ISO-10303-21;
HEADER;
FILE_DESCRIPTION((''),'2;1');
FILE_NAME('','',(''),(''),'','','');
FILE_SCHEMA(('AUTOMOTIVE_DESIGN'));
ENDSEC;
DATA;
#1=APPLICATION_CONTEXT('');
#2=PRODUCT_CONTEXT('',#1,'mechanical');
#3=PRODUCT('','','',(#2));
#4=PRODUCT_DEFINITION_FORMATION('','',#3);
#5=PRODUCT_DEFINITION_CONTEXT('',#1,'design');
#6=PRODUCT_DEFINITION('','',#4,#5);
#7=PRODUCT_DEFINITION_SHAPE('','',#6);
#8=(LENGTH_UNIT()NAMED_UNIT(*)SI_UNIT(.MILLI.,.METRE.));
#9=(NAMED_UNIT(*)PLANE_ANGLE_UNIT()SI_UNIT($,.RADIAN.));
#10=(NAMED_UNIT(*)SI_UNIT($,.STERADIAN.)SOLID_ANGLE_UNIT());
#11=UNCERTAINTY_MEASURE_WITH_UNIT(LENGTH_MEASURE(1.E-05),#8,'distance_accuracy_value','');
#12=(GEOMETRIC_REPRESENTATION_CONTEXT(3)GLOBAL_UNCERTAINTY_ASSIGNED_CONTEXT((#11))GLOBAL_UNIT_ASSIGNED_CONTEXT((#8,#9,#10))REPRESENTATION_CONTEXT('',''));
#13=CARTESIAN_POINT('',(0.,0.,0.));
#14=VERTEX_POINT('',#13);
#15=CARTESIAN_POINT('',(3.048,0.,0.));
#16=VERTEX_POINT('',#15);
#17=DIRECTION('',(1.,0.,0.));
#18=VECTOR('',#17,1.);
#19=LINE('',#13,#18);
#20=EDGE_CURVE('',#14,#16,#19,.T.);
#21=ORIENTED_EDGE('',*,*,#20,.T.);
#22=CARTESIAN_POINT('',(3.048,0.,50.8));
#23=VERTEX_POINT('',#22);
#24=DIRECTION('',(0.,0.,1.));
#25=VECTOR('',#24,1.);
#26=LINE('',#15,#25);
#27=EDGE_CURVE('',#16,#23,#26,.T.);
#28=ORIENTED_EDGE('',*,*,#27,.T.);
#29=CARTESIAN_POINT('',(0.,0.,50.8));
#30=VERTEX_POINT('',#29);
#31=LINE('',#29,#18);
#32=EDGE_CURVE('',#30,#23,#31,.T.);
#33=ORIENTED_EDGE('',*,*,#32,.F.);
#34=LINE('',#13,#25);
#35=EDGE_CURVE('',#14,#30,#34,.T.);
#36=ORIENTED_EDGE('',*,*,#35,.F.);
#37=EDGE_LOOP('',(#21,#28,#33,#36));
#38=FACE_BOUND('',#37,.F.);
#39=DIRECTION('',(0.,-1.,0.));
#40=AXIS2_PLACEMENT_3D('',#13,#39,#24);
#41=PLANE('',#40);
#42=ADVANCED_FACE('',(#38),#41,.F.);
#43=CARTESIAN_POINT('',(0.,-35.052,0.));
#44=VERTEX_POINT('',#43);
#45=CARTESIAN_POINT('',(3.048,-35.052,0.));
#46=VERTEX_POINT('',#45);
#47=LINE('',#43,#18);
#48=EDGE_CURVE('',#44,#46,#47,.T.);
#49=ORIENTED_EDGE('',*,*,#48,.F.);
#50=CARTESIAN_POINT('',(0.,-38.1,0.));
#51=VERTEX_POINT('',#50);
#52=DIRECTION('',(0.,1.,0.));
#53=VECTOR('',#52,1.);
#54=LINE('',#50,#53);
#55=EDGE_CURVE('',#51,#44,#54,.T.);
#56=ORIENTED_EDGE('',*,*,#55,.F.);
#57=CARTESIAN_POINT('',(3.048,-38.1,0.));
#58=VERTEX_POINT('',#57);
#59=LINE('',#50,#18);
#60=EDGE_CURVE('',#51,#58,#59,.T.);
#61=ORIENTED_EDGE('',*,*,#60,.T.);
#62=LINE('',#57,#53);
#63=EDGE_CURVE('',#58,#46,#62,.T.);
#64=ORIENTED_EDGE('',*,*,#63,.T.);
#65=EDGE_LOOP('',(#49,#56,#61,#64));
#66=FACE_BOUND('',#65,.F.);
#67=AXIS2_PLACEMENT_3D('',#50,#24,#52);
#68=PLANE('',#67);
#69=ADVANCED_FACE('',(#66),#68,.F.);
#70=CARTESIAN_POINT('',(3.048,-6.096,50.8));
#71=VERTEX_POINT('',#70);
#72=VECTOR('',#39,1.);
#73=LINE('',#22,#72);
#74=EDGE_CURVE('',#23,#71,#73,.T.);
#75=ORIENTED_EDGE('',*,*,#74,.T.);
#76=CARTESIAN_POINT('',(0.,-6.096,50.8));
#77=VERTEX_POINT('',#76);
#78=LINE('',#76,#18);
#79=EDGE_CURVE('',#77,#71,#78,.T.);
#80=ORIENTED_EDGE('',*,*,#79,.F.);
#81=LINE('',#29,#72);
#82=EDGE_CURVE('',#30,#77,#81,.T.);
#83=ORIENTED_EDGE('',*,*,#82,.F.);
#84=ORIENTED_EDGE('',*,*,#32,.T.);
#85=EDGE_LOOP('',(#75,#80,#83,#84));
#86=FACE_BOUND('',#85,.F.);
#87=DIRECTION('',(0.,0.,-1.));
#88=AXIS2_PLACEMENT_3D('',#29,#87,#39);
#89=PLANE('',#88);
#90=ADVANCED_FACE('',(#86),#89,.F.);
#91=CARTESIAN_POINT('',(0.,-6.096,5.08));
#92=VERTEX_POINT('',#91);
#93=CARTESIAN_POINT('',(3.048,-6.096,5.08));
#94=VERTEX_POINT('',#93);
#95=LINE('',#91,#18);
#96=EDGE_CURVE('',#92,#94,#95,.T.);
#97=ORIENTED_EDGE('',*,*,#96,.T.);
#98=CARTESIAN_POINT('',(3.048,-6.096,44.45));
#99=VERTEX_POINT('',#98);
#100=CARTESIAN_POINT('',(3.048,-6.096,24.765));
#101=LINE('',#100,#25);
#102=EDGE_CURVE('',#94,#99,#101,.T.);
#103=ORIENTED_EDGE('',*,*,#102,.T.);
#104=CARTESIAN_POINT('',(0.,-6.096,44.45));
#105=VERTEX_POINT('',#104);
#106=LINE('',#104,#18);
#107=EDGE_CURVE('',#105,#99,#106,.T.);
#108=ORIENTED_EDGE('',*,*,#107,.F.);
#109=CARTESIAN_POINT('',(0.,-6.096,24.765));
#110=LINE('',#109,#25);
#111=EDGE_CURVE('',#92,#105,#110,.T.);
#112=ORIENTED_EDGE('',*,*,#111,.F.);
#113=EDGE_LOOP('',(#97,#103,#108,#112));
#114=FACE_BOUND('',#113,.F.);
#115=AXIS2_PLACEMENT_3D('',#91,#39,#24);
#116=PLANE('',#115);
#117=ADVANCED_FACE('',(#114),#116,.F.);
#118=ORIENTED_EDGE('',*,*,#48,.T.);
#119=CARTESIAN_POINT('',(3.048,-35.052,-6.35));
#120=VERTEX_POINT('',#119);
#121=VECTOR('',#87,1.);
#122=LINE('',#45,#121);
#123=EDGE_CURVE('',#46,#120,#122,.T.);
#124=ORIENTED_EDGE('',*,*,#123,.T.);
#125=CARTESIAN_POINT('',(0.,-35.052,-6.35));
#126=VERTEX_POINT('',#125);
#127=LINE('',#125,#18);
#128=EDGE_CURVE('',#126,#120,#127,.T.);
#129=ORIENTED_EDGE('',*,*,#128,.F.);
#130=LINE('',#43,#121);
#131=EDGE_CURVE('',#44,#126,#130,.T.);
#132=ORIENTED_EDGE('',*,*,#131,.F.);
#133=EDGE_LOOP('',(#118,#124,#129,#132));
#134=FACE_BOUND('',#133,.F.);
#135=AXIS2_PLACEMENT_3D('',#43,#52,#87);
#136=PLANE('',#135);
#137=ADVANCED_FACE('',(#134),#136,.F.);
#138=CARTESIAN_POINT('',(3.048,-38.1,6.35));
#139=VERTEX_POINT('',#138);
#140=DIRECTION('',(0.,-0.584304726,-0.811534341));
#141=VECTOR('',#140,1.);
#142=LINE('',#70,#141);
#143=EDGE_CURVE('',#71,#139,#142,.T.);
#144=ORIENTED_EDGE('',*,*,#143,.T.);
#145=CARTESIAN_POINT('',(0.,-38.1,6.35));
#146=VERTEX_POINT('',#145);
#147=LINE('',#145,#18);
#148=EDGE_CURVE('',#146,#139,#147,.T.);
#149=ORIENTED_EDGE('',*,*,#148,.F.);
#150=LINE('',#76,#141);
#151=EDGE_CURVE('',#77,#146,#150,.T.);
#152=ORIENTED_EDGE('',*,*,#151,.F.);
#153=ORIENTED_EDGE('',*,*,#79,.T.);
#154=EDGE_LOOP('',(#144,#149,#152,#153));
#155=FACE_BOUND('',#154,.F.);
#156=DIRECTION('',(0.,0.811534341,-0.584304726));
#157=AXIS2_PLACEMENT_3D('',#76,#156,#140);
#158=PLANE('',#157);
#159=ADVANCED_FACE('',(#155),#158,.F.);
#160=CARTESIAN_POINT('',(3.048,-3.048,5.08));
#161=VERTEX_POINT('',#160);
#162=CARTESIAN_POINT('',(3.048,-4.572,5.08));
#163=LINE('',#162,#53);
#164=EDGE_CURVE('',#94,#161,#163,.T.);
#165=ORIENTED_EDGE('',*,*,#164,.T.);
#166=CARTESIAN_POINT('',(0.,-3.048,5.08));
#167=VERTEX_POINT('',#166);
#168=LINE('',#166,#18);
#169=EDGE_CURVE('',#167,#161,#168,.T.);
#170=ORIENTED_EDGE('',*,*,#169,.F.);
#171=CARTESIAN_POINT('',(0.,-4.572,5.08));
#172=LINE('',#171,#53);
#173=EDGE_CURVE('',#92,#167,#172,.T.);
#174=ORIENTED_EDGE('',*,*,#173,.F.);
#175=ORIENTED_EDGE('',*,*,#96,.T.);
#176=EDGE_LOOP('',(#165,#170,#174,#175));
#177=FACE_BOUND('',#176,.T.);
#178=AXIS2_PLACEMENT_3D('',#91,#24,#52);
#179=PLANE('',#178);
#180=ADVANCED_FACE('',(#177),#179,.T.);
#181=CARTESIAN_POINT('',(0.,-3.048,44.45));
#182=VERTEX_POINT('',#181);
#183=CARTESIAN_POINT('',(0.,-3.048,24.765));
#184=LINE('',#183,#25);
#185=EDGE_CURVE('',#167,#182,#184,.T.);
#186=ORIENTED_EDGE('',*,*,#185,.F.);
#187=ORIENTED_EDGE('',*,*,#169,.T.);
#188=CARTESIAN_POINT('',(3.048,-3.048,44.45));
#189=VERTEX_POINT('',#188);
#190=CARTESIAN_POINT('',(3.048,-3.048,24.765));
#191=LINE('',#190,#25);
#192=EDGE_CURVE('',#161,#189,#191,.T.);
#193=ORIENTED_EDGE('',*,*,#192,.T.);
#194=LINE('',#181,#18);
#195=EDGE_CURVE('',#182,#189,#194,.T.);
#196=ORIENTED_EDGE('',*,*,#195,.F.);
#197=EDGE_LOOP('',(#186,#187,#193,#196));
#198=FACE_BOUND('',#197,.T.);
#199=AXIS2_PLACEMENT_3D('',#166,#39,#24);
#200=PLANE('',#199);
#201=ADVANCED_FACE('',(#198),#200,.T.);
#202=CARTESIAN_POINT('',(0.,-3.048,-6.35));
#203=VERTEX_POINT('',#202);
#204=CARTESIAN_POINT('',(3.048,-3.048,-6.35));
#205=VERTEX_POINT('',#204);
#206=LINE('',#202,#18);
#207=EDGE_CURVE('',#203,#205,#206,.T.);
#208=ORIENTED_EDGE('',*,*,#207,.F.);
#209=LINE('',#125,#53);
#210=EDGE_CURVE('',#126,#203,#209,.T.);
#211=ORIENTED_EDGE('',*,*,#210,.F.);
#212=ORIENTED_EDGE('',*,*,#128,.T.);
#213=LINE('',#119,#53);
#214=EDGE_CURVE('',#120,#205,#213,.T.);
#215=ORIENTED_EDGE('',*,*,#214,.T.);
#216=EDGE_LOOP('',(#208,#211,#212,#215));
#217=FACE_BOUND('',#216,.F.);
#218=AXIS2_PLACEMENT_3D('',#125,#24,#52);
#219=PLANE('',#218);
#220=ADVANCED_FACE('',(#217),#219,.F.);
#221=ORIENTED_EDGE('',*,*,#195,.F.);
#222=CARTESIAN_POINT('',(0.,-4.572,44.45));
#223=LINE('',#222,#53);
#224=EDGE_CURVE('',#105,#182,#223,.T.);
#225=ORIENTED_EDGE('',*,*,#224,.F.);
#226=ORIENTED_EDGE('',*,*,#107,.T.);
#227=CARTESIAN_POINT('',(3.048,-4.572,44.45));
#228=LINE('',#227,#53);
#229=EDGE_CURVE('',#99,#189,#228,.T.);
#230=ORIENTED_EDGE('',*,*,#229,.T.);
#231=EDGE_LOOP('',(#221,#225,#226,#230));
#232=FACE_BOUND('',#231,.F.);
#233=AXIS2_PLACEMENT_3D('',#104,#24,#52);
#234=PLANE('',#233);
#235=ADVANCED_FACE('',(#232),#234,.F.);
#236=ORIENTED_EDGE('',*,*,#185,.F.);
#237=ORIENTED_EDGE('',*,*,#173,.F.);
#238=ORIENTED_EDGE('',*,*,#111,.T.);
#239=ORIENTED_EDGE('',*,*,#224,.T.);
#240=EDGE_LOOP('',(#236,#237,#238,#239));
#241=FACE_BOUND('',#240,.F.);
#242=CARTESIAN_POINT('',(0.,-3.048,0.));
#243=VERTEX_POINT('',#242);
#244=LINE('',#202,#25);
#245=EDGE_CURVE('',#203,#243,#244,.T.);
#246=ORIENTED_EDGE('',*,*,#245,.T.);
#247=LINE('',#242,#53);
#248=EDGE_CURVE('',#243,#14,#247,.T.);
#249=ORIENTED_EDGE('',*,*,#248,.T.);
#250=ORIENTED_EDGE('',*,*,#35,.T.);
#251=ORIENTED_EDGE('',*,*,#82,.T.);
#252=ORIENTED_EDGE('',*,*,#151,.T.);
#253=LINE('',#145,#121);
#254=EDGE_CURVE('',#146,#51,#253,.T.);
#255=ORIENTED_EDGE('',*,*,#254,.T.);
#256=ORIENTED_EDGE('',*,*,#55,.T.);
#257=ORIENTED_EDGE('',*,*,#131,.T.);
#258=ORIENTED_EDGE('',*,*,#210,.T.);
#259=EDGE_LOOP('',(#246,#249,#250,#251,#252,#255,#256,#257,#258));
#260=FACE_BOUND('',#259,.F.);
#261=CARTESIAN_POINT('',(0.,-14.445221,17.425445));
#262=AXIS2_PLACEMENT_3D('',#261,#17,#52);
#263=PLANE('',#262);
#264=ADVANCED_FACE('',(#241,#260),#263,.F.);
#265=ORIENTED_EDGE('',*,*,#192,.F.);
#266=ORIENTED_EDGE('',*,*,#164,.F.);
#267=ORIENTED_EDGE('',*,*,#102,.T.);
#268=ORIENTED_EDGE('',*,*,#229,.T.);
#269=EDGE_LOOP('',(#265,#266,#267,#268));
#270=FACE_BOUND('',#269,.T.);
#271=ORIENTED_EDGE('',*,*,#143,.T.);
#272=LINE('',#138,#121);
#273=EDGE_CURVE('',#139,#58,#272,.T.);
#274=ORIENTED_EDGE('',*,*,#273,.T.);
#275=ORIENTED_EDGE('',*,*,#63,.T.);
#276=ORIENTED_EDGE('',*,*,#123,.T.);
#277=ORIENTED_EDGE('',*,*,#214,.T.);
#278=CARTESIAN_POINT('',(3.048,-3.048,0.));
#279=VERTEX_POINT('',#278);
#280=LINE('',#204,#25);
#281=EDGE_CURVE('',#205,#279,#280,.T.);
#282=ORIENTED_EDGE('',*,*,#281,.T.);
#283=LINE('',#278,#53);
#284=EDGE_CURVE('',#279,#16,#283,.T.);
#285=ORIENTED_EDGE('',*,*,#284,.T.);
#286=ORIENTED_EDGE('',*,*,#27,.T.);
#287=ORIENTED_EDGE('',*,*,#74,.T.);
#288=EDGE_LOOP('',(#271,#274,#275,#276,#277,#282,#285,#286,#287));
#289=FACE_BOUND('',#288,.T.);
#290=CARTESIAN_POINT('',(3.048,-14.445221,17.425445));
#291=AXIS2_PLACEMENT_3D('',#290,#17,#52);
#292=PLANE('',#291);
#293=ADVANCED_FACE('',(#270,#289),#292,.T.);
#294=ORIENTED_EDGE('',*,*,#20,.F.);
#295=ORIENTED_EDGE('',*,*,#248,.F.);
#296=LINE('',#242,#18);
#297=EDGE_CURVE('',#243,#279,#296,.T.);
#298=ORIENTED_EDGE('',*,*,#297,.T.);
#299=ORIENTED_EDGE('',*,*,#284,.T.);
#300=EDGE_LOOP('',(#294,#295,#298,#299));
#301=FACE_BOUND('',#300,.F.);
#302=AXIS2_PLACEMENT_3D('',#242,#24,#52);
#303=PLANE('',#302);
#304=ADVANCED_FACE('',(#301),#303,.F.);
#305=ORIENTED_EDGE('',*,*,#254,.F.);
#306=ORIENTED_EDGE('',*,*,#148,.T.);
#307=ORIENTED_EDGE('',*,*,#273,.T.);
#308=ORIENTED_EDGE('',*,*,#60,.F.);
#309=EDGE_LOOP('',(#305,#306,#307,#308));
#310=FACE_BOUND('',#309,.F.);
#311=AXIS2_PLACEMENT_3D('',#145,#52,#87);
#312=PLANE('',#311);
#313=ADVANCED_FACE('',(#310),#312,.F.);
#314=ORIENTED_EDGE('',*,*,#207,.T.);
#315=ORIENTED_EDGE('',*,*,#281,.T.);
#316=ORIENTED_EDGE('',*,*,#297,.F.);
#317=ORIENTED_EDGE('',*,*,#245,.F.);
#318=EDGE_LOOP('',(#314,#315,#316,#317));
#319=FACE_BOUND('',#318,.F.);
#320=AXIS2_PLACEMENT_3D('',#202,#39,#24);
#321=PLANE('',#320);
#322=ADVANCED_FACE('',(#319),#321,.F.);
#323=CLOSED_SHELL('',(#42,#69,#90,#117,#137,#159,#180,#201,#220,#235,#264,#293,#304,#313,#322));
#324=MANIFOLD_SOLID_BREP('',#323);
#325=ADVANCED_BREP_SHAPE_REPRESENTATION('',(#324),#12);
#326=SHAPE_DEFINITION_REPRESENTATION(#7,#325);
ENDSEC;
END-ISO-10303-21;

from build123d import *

# Parameters (mm, degrees)
F0_W     = 3.048
F0_H     = 39.37
F1_DEPTH = 3.048


with BuildPart() as f1:
    # F0 (on Right) → F1 (new body)
    with BuildSketch(Plane.YZ):
        Polygon((0, 0), (0, 50.8), (-6.096, 50.8), (-38.1, 6.35), (-38.1, 0), (-35.052, 0), (-35.052, -6.35), (-3.048, -6.35), (-3.048, 0), align=None)
        with Locations((-4.572, 24.765)):
            Rectangle(F0_W, F0_H, mode=Mode.SUBTRACT)
    extrude(amount=F1_DEPTH)


solid = f1.part
